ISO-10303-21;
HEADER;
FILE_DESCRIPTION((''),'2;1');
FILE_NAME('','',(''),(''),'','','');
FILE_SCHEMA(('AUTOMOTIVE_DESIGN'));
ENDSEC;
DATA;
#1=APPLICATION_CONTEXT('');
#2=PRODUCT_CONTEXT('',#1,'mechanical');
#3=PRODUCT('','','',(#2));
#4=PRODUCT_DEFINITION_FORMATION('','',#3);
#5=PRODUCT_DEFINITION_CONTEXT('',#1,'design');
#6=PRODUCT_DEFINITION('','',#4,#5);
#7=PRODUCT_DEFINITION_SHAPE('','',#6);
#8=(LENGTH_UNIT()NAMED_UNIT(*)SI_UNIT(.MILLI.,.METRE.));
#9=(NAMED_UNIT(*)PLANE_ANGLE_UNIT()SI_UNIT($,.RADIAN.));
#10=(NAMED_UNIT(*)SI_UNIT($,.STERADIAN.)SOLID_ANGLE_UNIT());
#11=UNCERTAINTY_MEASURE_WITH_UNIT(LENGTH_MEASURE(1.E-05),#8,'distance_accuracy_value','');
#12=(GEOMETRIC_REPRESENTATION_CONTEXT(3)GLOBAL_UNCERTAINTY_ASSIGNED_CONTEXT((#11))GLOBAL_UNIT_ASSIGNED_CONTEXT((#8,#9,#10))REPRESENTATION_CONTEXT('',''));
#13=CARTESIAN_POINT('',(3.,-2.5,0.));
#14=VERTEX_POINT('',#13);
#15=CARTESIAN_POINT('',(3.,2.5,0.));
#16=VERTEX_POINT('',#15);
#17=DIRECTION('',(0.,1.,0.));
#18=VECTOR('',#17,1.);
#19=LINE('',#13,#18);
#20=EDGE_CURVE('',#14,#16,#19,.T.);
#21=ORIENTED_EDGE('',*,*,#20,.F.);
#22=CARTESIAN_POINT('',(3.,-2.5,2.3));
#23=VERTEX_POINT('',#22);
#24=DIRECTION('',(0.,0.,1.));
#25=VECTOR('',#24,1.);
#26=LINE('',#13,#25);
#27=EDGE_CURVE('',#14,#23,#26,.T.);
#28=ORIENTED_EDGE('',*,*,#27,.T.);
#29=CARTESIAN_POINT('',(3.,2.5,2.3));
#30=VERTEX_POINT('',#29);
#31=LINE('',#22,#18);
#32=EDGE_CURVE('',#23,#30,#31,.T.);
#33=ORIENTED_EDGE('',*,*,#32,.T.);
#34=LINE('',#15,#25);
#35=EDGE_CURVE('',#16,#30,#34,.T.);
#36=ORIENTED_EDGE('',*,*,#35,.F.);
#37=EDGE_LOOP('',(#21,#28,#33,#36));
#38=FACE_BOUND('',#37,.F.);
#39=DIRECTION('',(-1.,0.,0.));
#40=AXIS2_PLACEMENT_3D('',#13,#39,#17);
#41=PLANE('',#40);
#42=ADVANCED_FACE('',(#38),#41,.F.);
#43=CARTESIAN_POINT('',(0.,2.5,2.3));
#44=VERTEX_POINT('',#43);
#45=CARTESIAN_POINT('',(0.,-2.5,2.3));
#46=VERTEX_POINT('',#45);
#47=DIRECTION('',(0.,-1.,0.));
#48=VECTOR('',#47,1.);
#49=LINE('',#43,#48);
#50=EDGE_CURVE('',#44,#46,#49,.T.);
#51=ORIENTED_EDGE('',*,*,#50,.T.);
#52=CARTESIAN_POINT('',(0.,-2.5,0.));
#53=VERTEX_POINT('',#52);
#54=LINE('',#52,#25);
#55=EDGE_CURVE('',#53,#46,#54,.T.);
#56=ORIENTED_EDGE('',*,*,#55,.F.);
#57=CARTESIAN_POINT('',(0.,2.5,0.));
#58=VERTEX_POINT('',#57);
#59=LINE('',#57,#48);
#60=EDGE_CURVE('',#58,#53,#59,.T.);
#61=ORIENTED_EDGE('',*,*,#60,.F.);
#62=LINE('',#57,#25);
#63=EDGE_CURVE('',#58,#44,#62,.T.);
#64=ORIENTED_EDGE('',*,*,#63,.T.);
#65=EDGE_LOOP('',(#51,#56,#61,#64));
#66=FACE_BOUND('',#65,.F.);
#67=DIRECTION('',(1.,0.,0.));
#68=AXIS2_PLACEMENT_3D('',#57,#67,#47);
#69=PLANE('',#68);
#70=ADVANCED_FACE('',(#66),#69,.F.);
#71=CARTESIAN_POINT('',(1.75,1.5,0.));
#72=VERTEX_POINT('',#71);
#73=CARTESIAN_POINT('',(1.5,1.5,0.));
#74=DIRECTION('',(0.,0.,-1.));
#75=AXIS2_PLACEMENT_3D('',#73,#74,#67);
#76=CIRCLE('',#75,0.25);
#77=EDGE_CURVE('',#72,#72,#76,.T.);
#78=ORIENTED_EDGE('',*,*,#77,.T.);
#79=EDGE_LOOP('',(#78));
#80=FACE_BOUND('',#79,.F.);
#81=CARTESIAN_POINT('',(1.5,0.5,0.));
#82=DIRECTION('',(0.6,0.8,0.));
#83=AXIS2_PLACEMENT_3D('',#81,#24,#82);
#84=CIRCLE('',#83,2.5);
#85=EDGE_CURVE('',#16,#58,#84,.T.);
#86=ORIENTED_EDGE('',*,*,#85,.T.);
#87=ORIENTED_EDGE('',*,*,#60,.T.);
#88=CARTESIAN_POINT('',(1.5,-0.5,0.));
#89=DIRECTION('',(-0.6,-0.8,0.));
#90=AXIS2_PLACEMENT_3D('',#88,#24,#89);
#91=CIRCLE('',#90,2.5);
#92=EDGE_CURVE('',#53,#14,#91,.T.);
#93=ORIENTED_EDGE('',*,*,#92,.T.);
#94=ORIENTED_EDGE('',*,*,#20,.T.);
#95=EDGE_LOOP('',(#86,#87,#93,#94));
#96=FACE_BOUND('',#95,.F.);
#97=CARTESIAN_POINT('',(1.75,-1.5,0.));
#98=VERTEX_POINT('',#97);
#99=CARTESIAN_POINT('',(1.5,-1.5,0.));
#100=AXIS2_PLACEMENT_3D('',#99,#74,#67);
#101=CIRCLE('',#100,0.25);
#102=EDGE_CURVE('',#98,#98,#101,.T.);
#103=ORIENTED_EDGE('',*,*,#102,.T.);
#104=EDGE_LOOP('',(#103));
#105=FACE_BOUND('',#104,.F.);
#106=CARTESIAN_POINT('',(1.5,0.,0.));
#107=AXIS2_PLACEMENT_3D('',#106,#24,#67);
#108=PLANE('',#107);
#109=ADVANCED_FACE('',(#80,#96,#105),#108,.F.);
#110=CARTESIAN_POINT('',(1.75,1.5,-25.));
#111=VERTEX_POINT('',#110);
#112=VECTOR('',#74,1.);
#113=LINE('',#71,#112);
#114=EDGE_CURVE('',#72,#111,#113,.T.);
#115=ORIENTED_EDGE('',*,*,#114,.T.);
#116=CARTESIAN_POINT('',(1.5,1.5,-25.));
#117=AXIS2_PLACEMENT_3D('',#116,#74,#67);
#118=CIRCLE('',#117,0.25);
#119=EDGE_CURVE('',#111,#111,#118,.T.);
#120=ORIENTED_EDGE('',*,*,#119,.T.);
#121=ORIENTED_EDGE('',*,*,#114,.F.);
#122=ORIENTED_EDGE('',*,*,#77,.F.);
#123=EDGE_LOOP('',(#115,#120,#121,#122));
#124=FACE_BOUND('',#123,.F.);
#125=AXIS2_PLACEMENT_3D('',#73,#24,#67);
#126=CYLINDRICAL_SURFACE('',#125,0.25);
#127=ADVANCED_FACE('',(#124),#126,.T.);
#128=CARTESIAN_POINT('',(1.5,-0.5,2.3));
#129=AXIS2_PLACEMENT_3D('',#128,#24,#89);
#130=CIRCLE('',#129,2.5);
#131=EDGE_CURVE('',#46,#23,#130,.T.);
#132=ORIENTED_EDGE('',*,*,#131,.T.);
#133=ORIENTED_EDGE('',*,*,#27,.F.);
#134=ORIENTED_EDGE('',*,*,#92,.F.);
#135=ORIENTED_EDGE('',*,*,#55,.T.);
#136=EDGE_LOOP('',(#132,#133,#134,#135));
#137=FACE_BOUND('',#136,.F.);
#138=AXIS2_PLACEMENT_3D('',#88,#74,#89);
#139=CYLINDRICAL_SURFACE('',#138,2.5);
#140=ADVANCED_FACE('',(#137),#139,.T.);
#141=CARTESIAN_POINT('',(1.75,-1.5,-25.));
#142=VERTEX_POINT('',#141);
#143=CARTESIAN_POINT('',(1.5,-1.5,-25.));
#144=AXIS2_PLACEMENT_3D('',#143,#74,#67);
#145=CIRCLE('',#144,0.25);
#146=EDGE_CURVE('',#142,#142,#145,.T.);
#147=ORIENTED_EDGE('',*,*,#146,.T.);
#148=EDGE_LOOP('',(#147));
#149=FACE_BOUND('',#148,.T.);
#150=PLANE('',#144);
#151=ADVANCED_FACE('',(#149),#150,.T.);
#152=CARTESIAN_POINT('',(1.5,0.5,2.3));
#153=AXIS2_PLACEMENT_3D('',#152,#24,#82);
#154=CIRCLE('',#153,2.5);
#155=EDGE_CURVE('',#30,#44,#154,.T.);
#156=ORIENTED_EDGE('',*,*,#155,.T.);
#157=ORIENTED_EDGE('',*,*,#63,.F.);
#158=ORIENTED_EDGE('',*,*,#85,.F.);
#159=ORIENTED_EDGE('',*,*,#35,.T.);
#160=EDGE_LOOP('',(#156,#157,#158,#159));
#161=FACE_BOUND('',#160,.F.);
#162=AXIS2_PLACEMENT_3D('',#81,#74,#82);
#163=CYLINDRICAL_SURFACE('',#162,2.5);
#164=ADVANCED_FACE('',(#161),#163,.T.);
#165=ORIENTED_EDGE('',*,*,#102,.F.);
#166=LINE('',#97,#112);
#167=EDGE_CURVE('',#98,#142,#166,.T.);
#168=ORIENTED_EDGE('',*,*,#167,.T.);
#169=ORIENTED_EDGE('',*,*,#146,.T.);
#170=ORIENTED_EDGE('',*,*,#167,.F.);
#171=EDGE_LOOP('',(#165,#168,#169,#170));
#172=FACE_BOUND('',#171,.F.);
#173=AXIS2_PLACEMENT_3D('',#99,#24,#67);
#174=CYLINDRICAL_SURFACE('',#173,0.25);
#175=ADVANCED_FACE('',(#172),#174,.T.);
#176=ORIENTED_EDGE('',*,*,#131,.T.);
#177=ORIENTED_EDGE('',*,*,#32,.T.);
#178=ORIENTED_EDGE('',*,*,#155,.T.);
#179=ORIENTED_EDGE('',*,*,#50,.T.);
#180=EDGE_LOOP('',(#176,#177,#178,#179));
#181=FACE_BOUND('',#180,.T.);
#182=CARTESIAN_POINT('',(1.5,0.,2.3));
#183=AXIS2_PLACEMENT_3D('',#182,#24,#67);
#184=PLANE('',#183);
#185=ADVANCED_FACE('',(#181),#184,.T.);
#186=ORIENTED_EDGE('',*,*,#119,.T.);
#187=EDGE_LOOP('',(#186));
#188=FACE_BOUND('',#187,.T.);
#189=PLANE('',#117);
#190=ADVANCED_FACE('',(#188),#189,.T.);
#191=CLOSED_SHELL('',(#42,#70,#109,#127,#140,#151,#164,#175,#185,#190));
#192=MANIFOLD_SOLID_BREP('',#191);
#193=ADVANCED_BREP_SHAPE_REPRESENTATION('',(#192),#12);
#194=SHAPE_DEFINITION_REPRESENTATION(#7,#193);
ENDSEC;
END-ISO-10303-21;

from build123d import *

# Parameters (mm, degrees)
F1_DEPTH = 2.3
F2_R     = 0.25
F3_DEPTH = 25


with BuildPart() as f1:
    # F0 (on Top) → F1 (new body)
    with BuildSketch(Plane.XY):
        with BuildLine():
            ThreePointArc((3, 2.5), (1.5, 3), (0, 2.5))
            Line((0, 2.5), (0, -2.5))
            ThreePointArc((0, -2.5), (1.5, -3), (3, -2.5))
            Line((3, -2.5), (3, 2.5))
        make_face()
    extrude(amount=F1_DEPTH)

    # F2 (on face) → F3 (join)
    with BuildSketch(Plane(origin=(0, 0, 0), x_dir=(1, 0, 0), z_dir=(0, 0, -1))):
        with Locations((1.5, 1.5)):
            Circle(F2_R)
        with Locations((1.5, -1.5)):
            Circle(F2_R)
    extrude(amount=F3_DEPTH)


solid = f1.part
